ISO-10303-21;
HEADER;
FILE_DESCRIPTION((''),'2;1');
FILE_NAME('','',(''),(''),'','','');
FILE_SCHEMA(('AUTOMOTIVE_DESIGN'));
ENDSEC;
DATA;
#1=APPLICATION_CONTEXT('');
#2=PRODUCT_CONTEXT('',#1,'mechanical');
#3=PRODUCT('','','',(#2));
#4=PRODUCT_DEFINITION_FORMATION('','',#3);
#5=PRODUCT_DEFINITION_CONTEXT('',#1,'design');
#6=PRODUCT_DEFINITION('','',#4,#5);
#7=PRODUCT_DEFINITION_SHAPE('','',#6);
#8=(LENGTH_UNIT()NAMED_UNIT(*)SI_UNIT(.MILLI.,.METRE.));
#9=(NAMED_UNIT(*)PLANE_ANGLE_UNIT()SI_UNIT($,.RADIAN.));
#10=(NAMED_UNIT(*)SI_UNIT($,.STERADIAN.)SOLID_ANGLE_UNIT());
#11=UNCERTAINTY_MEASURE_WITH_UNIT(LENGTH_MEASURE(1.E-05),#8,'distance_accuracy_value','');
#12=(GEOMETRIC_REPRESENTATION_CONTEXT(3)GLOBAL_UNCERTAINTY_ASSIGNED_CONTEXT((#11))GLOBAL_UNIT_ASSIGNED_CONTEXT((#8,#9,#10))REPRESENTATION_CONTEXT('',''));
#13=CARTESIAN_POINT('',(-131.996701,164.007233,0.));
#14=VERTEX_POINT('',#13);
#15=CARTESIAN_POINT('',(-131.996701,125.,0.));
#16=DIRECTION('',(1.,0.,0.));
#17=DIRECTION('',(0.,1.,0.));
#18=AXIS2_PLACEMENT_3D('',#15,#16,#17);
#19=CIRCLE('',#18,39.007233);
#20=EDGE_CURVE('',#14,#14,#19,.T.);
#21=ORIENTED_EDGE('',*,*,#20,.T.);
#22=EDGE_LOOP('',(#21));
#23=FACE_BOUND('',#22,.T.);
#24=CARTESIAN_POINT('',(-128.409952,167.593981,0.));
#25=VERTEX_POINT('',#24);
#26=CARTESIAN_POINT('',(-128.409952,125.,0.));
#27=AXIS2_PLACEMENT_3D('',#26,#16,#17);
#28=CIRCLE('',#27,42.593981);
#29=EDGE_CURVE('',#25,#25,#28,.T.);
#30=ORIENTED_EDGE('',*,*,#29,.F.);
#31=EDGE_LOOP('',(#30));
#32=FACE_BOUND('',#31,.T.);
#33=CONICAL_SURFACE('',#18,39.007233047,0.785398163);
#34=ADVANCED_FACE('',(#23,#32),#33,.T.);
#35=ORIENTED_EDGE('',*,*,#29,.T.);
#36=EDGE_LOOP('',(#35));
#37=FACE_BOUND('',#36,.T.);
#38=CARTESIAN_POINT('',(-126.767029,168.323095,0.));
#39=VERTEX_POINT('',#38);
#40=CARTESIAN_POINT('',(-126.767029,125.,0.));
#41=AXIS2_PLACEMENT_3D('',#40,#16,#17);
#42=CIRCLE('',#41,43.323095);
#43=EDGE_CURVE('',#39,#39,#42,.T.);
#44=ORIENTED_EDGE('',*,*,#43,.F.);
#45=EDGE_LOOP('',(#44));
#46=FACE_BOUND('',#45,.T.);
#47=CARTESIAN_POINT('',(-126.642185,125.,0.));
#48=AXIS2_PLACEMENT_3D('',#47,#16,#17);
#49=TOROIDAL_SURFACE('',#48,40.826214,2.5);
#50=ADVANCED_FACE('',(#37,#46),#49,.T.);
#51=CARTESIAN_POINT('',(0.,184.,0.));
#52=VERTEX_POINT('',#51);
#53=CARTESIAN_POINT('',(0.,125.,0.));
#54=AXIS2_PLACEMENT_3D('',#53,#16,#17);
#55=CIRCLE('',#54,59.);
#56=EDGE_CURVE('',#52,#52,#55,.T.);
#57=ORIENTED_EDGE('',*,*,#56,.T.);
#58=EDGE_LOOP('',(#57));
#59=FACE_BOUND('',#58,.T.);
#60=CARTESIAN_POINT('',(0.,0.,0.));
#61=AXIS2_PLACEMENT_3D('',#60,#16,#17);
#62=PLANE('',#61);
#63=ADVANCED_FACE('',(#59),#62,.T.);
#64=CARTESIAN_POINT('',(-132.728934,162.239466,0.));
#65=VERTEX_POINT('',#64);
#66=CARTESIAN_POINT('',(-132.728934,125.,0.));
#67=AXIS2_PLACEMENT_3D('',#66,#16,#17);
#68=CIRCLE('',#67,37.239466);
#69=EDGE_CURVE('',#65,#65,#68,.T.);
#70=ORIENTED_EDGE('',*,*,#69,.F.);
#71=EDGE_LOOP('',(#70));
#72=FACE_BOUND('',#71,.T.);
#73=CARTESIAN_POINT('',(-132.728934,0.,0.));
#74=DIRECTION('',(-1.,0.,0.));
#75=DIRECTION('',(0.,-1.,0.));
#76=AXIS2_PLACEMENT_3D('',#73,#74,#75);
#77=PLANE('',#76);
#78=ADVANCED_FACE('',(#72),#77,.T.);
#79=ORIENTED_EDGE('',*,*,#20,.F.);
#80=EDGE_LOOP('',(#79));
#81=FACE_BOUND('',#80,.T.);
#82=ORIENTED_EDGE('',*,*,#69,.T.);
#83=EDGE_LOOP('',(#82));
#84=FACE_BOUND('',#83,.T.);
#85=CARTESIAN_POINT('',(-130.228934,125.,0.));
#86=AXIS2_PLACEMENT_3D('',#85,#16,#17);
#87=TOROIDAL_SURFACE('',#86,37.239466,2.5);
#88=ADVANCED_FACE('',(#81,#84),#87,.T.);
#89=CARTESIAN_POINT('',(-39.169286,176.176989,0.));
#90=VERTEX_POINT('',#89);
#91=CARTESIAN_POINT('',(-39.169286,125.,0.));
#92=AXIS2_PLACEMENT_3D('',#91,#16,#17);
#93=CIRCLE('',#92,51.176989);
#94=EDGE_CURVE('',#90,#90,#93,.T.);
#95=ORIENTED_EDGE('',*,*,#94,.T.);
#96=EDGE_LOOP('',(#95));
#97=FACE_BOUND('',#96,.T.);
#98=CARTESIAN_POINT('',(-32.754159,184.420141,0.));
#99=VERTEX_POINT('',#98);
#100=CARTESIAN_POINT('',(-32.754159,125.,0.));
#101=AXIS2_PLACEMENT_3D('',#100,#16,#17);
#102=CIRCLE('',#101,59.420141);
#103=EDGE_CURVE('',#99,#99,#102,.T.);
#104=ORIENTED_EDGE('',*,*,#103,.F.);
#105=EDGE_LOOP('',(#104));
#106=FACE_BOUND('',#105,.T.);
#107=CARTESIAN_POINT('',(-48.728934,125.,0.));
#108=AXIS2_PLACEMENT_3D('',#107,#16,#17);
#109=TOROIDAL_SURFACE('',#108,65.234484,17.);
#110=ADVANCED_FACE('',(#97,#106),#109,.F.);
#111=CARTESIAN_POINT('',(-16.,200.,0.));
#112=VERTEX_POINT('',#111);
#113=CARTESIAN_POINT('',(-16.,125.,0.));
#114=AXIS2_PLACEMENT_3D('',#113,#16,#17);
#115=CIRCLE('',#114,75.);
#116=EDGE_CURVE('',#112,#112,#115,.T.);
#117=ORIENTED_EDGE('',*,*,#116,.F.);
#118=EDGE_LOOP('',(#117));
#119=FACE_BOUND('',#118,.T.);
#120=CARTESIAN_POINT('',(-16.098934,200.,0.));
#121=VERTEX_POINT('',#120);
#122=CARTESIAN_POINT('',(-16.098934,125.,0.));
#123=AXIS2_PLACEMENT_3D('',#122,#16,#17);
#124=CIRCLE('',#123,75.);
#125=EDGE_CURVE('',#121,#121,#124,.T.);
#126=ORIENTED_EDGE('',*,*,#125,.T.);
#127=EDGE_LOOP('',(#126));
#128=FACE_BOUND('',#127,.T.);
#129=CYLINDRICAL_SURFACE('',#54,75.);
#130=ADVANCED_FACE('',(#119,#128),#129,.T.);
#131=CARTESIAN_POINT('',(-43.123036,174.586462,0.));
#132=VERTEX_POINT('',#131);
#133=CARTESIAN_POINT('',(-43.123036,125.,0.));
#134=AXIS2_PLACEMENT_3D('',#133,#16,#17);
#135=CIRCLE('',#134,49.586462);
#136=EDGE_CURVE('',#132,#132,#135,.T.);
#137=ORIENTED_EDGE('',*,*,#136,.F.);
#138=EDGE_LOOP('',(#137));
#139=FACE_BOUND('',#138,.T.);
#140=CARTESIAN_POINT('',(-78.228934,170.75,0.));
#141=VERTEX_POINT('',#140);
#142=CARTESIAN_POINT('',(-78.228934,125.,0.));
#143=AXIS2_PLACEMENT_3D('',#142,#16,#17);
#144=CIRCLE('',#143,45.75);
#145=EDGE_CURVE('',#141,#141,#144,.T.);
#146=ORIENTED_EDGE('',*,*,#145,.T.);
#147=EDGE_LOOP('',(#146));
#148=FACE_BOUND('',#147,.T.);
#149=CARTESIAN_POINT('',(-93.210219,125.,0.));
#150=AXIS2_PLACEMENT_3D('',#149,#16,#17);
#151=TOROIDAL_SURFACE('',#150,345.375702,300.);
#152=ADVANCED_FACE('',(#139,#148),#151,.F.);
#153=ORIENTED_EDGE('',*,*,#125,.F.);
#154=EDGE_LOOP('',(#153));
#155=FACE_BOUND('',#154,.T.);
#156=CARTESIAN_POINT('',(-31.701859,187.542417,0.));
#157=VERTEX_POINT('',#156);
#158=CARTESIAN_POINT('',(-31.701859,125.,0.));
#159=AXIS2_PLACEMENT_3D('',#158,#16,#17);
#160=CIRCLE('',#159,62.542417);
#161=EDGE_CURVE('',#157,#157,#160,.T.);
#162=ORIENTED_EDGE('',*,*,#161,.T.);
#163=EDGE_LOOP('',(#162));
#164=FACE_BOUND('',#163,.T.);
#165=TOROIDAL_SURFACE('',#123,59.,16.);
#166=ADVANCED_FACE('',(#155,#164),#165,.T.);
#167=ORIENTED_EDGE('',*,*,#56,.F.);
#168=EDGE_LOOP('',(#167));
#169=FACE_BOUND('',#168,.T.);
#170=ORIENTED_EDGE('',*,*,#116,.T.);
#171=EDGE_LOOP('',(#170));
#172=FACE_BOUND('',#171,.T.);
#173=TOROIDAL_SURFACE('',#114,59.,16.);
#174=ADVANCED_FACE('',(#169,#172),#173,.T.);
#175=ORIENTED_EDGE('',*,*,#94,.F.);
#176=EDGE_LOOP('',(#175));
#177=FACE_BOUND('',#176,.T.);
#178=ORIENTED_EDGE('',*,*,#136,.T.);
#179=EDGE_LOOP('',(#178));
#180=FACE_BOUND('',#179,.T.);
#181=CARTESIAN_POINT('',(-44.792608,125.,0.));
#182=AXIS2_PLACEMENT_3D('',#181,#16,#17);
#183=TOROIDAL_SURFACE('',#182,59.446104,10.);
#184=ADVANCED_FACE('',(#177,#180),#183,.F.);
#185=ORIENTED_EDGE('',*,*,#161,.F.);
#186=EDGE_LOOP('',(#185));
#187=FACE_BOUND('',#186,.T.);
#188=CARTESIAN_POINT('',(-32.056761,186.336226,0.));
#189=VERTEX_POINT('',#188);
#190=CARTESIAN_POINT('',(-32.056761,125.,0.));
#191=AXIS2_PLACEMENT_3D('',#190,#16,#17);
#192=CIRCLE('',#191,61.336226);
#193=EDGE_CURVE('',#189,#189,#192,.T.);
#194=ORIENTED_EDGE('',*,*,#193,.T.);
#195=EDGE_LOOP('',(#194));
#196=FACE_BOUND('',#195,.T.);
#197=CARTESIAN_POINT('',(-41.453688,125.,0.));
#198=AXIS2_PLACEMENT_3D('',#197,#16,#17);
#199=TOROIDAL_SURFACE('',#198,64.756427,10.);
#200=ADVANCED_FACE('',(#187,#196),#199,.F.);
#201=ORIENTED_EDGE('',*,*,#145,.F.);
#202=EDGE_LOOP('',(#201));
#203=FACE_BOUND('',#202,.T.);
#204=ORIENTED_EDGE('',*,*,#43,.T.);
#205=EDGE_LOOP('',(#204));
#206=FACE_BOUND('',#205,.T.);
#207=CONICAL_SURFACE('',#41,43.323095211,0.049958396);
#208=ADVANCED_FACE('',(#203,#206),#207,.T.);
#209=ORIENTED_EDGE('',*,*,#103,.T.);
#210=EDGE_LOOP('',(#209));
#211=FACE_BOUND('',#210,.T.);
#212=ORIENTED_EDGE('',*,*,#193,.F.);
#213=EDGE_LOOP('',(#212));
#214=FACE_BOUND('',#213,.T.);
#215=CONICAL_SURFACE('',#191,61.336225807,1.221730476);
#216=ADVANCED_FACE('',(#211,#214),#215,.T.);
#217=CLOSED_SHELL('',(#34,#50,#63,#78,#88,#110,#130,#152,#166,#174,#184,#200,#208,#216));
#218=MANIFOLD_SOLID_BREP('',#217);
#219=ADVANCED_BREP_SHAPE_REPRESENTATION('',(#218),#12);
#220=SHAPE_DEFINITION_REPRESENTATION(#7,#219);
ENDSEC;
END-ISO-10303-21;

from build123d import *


with BuildPart() as part:
    # Sketch2 → Revolve1 (revolve)
    with BuildSketch(Plane.XY):
        with BuildLine():
            Line((-126.767029403, 81.676904789), (-78.228933631, 79.25))
            ThreePointArc((-78.228933631, 79.25), (-60.619483805, 77.84878425), (-43.123035518, 75.413537626))
            ThreePointArc((-43.123035518, 75.413537626), (-41.060447751, 74.831340884), (-39.169286378, 73.823010577))
            ThreePointArc((-39.169286378, 73.823010577), (-35.312933401, 70.206346657), (-32.754159078, 65.579858771))
            Line((-32.754159078, 65.579858771), (-32.056761325, 63.663774193))
            ThreePointArc((-32.056761325, 63.663774193), (-31.860334358, 63.066262055), (-31.701859109, 62.457583237))
            ThreePointArc((-31.701859109, 62.457583237), (-26.081952508, 53.496427146), (-16.098933631, 50))
            Line((-16.098933631, 50), (-16, 50))
            ThreePointArc((-16, 50), (-4.686291501, 54.686291501), (0, 66))
            Line((0, 66), (0, 78.5))
            Line((0, 78.5), (0, 125))
            Line((0, 125), (-132.728933631, 125))
            Line((-132.728933631, 125), (-132.728933631, 97.760533906))
            Line((-132.728933631, 97.760533906), (-132.728933631, 87.760533906))
            ThreePointArc((-132.728933631, 87.760533906), (-132.538632462, 86.803825325), (-131.996700584, 85.992766953))
            Line((-131.996700584, 85.992766953), (-128.409952314, 82.406018683))
            ThreePointArc((-128.409952314, 82.406018683), (-127.656283908, 81.888702675), (-126.767029403, 81.676904789))
        make_face()
    revolve(axis=Axis((0, 125, 0), (-1, 0, 0)))


solid = part.part
